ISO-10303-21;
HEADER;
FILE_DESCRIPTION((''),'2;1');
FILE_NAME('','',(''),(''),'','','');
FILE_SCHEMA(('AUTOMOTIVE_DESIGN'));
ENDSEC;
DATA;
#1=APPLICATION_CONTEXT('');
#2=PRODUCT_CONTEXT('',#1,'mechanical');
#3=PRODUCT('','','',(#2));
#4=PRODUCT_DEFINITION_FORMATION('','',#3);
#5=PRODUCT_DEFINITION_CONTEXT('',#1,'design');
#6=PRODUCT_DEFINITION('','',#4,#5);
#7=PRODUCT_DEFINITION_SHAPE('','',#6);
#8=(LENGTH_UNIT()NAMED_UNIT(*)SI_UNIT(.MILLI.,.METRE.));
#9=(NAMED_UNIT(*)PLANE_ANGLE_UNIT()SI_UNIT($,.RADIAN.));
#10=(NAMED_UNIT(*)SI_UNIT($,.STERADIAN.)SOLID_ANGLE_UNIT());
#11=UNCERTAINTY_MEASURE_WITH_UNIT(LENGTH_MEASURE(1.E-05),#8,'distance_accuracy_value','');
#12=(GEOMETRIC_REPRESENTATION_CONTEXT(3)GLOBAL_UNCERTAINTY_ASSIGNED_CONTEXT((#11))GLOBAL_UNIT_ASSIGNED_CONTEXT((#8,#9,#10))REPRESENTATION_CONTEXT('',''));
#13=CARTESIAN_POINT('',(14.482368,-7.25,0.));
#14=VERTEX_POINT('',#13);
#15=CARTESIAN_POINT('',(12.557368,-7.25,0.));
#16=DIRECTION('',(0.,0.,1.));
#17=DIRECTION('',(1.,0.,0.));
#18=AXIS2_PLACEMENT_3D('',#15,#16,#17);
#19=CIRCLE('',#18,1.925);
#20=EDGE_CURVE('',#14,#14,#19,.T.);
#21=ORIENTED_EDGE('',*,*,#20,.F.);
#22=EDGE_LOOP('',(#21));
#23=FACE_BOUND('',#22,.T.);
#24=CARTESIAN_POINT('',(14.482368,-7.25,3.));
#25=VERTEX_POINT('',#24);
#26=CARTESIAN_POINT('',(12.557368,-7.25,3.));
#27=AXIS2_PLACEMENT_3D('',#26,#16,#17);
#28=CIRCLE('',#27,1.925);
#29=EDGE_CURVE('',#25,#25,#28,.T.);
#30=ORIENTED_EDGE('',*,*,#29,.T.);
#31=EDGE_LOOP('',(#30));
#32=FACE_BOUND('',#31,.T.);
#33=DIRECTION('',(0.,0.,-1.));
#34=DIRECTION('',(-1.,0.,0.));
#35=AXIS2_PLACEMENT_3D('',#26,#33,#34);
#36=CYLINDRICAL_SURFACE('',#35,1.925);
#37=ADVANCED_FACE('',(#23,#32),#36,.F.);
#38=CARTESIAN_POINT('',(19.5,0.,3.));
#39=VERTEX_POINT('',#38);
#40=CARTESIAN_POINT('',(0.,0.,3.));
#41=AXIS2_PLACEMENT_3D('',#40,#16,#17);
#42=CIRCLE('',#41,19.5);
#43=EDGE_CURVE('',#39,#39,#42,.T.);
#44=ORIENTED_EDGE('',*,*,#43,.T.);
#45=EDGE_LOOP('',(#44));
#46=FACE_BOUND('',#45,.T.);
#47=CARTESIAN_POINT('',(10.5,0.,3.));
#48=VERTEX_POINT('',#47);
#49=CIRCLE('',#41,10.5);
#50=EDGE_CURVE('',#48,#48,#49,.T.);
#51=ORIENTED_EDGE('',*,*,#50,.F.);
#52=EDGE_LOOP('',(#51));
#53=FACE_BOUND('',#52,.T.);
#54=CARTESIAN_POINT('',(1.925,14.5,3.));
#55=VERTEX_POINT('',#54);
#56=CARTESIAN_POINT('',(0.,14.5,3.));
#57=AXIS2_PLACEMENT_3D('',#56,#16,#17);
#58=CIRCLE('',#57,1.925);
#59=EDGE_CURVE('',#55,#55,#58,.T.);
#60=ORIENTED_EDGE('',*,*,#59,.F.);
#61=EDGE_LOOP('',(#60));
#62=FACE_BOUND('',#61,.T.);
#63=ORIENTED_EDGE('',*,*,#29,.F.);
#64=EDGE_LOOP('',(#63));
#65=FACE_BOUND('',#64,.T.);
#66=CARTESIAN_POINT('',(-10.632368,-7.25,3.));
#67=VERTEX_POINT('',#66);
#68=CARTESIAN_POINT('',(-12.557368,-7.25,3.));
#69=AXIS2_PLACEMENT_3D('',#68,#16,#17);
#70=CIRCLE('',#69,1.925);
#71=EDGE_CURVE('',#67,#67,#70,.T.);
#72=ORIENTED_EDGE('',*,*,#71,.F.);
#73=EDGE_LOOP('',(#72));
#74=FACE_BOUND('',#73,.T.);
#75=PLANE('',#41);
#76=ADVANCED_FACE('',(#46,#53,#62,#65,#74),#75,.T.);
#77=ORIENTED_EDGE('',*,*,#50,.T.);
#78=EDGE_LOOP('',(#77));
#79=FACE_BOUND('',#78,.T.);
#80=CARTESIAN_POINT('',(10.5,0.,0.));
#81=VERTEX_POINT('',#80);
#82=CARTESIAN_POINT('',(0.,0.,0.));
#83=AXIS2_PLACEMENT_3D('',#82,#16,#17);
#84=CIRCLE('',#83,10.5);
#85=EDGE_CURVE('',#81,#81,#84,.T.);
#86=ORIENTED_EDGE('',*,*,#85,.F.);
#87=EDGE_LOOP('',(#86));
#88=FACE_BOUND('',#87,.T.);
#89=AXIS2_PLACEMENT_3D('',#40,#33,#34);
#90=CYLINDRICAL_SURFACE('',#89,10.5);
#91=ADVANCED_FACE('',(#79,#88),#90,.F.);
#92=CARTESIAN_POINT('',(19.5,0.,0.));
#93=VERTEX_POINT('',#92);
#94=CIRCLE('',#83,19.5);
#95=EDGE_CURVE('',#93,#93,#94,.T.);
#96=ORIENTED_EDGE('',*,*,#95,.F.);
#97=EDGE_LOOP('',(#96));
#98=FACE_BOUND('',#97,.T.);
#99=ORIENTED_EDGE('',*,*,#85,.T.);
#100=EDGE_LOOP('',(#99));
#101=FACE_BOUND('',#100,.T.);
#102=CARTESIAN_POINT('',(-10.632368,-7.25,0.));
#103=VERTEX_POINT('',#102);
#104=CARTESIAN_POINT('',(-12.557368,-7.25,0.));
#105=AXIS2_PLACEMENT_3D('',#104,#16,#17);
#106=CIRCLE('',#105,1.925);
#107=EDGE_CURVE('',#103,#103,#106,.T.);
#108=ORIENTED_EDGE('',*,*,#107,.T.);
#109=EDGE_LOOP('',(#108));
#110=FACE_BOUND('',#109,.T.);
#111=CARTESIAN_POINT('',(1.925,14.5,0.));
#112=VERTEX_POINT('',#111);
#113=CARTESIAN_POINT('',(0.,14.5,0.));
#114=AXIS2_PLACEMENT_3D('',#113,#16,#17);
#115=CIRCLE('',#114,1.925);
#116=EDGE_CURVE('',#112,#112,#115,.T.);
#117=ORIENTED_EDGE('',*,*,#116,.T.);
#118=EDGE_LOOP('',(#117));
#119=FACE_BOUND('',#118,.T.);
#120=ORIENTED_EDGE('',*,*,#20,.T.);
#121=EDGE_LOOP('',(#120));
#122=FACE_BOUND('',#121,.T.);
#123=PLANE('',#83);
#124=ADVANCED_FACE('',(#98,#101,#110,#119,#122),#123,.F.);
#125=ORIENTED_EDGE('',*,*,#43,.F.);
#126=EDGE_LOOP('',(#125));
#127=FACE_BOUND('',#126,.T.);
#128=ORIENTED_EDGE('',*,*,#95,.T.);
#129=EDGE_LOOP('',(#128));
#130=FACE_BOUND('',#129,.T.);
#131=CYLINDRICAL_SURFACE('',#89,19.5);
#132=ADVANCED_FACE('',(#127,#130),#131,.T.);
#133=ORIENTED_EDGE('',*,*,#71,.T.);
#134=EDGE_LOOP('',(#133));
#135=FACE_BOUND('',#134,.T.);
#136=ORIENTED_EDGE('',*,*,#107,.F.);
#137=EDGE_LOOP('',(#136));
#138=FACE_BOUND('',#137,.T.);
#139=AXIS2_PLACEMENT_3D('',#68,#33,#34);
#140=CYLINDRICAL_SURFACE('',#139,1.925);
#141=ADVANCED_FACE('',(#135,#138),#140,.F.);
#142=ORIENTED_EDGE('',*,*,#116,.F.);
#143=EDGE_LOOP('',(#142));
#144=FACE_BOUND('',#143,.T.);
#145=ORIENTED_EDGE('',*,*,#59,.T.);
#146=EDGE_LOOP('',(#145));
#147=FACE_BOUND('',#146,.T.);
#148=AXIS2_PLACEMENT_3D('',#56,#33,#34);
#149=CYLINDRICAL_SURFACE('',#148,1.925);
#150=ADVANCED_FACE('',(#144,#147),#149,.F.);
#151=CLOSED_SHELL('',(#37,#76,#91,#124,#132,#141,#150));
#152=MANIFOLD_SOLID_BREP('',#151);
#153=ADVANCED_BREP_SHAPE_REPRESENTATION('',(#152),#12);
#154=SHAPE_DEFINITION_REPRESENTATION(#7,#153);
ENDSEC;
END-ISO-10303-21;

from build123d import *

# Parameters (mm, degrees)
ESQUISSE1_R        = 19.5
ESQUISSE1_R_2      = 10.5
ESQUISSE1_R_3      = 1.925
BOSS_EXTRU_1_DEPTH = 3


with BuildPart() as part:
    # Esquisse1 → Boss.-Extru.1 (new body)
    with BuildSketch(Plane.XY):
        Circle(ESQUISSE1_R)
        Circle(ESQUISSE1_R_2, mode=Mode.SUBTRACT)
        with Locations((12.557368355, -7.25)):
            Circle(ESQUISSE1_R_3, mode=Mode.SUBTRACT)
        with Locations((-12.557368355, -7.25)):
            Circle(ESQUISSE1_R_3, mode=Mode.SUBTRACT)
        with Locations((0, 14.5)):
            Circle(ESQUISSE1_R_3, mode=Mode.SUBTRACT)
    extrude(amount=BOSS_EXTRU_1_DEPTH)


solid = part.part
